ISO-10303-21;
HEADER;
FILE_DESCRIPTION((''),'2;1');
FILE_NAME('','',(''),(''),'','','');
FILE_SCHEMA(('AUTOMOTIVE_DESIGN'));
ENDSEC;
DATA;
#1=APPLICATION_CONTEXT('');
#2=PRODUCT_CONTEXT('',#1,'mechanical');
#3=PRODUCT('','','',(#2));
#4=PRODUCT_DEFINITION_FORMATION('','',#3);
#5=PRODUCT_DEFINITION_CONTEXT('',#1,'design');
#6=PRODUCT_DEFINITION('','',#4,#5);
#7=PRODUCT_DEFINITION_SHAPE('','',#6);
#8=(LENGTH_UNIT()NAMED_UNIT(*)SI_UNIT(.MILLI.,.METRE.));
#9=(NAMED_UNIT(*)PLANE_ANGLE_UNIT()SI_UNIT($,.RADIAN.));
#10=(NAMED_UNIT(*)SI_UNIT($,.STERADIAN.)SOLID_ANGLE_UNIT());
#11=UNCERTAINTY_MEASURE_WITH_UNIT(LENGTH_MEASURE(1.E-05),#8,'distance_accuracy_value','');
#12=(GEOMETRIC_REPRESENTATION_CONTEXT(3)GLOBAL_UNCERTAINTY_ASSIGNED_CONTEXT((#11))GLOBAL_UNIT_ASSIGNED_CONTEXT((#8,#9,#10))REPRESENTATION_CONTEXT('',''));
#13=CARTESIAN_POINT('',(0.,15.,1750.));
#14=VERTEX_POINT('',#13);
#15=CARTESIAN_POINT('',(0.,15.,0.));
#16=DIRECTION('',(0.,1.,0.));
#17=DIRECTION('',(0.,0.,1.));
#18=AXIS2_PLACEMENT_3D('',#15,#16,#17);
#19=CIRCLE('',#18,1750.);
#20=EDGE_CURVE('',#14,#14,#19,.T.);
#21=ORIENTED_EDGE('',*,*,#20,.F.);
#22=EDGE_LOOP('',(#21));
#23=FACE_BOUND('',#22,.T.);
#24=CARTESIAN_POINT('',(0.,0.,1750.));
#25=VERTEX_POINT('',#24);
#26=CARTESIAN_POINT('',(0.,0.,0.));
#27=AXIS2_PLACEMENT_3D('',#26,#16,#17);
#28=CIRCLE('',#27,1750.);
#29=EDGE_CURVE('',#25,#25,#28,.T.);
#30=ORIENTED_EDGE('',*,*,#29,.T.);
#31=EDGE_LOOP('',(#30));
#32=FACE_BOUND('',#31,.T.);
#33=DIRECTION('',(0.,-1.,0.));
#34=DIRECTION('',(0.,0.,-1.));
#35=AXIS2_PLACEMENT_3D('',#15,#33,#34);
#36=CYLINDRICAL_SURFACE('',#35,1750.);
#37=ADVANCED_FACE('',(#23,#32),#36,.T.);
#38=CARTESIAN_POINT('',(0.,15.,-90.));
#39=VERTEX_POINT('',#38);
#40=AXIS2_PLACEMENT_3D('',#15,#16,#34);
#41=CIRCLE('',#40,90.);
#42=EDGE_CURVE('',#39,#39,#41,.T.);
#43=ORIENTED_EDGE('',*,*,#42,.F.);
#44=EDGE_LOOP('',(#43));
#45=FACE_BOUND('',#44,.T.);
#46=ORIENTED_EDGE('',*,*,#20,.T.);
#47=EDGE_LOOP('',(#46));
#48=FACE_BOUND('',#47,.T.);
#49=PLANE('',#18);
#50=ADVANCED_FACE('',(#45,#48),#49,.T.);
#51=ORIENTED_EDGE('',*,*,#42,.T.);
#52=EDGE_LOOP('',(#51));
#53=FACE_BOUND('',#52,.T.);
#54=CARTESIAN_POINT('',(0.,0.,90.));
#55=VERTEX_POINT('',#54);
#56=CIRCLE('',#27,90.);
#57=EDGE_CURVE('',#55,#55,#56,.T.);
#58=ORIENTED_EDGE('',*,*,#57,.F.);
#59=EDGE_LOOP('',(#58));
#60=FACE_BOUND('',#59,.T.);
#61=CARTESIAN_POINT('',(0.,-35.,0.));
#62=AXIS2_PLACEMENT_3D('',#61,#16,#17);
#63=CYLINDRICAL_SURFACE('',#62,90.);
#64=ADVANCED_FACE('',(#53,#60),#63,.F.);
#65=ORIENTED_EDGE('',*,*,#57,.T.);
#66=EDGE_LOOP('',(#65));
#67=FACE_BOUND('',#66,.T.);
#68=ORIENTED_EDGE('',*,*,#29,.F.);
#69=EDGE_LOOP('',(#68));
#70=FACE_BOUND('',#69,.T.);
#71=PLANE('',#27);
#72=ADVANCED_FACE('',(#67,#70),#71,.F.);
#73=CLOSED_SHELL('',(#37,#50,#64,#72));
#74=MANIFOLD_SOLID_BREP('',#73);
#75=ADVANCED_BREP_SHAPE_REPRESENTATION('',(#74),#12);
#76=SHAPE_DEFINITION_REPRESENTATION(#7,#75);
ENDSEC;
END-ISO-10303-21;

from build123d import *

# Parameters (mm, degrees)
SKETCH1_R           = 1750
BOSS_EXTRUDE1_DEPTH = 15
SKETCH2_R           = 90
CUT_EXTRUDE1_DEPTH  = 50


with BuildPart() as part:
    # Sketch1 → Boss-Extrude1 (new body)
    with BuildSketch(Plane(origin=(0, 0, 0), x_dir=(1, 0, 0), z_dir=(0, 1, 0))):
        with Locations(Location((0, 0, 0), (0, 0, 270))):
            Circle(SKETCH1_R)
    extrude(amount=BOSS_EXTRUDE1_DEPTH)

    # Sketch2 → Cut-Extrude1 (cut)
    with BuildSketch(Plane(origin=(0, 15, 0), x_dir=(1, 0, 0), z_dir=(0, 1, 0))):
        with Locations(Location((0, 0, 0), (0, 0, 270))):
            Circle(SKETCH2_R)
    extrude(amount=-CUT_EXTRUDE1_DEPTH, mode=Mode.SUBTRACT)


solid = part.part
